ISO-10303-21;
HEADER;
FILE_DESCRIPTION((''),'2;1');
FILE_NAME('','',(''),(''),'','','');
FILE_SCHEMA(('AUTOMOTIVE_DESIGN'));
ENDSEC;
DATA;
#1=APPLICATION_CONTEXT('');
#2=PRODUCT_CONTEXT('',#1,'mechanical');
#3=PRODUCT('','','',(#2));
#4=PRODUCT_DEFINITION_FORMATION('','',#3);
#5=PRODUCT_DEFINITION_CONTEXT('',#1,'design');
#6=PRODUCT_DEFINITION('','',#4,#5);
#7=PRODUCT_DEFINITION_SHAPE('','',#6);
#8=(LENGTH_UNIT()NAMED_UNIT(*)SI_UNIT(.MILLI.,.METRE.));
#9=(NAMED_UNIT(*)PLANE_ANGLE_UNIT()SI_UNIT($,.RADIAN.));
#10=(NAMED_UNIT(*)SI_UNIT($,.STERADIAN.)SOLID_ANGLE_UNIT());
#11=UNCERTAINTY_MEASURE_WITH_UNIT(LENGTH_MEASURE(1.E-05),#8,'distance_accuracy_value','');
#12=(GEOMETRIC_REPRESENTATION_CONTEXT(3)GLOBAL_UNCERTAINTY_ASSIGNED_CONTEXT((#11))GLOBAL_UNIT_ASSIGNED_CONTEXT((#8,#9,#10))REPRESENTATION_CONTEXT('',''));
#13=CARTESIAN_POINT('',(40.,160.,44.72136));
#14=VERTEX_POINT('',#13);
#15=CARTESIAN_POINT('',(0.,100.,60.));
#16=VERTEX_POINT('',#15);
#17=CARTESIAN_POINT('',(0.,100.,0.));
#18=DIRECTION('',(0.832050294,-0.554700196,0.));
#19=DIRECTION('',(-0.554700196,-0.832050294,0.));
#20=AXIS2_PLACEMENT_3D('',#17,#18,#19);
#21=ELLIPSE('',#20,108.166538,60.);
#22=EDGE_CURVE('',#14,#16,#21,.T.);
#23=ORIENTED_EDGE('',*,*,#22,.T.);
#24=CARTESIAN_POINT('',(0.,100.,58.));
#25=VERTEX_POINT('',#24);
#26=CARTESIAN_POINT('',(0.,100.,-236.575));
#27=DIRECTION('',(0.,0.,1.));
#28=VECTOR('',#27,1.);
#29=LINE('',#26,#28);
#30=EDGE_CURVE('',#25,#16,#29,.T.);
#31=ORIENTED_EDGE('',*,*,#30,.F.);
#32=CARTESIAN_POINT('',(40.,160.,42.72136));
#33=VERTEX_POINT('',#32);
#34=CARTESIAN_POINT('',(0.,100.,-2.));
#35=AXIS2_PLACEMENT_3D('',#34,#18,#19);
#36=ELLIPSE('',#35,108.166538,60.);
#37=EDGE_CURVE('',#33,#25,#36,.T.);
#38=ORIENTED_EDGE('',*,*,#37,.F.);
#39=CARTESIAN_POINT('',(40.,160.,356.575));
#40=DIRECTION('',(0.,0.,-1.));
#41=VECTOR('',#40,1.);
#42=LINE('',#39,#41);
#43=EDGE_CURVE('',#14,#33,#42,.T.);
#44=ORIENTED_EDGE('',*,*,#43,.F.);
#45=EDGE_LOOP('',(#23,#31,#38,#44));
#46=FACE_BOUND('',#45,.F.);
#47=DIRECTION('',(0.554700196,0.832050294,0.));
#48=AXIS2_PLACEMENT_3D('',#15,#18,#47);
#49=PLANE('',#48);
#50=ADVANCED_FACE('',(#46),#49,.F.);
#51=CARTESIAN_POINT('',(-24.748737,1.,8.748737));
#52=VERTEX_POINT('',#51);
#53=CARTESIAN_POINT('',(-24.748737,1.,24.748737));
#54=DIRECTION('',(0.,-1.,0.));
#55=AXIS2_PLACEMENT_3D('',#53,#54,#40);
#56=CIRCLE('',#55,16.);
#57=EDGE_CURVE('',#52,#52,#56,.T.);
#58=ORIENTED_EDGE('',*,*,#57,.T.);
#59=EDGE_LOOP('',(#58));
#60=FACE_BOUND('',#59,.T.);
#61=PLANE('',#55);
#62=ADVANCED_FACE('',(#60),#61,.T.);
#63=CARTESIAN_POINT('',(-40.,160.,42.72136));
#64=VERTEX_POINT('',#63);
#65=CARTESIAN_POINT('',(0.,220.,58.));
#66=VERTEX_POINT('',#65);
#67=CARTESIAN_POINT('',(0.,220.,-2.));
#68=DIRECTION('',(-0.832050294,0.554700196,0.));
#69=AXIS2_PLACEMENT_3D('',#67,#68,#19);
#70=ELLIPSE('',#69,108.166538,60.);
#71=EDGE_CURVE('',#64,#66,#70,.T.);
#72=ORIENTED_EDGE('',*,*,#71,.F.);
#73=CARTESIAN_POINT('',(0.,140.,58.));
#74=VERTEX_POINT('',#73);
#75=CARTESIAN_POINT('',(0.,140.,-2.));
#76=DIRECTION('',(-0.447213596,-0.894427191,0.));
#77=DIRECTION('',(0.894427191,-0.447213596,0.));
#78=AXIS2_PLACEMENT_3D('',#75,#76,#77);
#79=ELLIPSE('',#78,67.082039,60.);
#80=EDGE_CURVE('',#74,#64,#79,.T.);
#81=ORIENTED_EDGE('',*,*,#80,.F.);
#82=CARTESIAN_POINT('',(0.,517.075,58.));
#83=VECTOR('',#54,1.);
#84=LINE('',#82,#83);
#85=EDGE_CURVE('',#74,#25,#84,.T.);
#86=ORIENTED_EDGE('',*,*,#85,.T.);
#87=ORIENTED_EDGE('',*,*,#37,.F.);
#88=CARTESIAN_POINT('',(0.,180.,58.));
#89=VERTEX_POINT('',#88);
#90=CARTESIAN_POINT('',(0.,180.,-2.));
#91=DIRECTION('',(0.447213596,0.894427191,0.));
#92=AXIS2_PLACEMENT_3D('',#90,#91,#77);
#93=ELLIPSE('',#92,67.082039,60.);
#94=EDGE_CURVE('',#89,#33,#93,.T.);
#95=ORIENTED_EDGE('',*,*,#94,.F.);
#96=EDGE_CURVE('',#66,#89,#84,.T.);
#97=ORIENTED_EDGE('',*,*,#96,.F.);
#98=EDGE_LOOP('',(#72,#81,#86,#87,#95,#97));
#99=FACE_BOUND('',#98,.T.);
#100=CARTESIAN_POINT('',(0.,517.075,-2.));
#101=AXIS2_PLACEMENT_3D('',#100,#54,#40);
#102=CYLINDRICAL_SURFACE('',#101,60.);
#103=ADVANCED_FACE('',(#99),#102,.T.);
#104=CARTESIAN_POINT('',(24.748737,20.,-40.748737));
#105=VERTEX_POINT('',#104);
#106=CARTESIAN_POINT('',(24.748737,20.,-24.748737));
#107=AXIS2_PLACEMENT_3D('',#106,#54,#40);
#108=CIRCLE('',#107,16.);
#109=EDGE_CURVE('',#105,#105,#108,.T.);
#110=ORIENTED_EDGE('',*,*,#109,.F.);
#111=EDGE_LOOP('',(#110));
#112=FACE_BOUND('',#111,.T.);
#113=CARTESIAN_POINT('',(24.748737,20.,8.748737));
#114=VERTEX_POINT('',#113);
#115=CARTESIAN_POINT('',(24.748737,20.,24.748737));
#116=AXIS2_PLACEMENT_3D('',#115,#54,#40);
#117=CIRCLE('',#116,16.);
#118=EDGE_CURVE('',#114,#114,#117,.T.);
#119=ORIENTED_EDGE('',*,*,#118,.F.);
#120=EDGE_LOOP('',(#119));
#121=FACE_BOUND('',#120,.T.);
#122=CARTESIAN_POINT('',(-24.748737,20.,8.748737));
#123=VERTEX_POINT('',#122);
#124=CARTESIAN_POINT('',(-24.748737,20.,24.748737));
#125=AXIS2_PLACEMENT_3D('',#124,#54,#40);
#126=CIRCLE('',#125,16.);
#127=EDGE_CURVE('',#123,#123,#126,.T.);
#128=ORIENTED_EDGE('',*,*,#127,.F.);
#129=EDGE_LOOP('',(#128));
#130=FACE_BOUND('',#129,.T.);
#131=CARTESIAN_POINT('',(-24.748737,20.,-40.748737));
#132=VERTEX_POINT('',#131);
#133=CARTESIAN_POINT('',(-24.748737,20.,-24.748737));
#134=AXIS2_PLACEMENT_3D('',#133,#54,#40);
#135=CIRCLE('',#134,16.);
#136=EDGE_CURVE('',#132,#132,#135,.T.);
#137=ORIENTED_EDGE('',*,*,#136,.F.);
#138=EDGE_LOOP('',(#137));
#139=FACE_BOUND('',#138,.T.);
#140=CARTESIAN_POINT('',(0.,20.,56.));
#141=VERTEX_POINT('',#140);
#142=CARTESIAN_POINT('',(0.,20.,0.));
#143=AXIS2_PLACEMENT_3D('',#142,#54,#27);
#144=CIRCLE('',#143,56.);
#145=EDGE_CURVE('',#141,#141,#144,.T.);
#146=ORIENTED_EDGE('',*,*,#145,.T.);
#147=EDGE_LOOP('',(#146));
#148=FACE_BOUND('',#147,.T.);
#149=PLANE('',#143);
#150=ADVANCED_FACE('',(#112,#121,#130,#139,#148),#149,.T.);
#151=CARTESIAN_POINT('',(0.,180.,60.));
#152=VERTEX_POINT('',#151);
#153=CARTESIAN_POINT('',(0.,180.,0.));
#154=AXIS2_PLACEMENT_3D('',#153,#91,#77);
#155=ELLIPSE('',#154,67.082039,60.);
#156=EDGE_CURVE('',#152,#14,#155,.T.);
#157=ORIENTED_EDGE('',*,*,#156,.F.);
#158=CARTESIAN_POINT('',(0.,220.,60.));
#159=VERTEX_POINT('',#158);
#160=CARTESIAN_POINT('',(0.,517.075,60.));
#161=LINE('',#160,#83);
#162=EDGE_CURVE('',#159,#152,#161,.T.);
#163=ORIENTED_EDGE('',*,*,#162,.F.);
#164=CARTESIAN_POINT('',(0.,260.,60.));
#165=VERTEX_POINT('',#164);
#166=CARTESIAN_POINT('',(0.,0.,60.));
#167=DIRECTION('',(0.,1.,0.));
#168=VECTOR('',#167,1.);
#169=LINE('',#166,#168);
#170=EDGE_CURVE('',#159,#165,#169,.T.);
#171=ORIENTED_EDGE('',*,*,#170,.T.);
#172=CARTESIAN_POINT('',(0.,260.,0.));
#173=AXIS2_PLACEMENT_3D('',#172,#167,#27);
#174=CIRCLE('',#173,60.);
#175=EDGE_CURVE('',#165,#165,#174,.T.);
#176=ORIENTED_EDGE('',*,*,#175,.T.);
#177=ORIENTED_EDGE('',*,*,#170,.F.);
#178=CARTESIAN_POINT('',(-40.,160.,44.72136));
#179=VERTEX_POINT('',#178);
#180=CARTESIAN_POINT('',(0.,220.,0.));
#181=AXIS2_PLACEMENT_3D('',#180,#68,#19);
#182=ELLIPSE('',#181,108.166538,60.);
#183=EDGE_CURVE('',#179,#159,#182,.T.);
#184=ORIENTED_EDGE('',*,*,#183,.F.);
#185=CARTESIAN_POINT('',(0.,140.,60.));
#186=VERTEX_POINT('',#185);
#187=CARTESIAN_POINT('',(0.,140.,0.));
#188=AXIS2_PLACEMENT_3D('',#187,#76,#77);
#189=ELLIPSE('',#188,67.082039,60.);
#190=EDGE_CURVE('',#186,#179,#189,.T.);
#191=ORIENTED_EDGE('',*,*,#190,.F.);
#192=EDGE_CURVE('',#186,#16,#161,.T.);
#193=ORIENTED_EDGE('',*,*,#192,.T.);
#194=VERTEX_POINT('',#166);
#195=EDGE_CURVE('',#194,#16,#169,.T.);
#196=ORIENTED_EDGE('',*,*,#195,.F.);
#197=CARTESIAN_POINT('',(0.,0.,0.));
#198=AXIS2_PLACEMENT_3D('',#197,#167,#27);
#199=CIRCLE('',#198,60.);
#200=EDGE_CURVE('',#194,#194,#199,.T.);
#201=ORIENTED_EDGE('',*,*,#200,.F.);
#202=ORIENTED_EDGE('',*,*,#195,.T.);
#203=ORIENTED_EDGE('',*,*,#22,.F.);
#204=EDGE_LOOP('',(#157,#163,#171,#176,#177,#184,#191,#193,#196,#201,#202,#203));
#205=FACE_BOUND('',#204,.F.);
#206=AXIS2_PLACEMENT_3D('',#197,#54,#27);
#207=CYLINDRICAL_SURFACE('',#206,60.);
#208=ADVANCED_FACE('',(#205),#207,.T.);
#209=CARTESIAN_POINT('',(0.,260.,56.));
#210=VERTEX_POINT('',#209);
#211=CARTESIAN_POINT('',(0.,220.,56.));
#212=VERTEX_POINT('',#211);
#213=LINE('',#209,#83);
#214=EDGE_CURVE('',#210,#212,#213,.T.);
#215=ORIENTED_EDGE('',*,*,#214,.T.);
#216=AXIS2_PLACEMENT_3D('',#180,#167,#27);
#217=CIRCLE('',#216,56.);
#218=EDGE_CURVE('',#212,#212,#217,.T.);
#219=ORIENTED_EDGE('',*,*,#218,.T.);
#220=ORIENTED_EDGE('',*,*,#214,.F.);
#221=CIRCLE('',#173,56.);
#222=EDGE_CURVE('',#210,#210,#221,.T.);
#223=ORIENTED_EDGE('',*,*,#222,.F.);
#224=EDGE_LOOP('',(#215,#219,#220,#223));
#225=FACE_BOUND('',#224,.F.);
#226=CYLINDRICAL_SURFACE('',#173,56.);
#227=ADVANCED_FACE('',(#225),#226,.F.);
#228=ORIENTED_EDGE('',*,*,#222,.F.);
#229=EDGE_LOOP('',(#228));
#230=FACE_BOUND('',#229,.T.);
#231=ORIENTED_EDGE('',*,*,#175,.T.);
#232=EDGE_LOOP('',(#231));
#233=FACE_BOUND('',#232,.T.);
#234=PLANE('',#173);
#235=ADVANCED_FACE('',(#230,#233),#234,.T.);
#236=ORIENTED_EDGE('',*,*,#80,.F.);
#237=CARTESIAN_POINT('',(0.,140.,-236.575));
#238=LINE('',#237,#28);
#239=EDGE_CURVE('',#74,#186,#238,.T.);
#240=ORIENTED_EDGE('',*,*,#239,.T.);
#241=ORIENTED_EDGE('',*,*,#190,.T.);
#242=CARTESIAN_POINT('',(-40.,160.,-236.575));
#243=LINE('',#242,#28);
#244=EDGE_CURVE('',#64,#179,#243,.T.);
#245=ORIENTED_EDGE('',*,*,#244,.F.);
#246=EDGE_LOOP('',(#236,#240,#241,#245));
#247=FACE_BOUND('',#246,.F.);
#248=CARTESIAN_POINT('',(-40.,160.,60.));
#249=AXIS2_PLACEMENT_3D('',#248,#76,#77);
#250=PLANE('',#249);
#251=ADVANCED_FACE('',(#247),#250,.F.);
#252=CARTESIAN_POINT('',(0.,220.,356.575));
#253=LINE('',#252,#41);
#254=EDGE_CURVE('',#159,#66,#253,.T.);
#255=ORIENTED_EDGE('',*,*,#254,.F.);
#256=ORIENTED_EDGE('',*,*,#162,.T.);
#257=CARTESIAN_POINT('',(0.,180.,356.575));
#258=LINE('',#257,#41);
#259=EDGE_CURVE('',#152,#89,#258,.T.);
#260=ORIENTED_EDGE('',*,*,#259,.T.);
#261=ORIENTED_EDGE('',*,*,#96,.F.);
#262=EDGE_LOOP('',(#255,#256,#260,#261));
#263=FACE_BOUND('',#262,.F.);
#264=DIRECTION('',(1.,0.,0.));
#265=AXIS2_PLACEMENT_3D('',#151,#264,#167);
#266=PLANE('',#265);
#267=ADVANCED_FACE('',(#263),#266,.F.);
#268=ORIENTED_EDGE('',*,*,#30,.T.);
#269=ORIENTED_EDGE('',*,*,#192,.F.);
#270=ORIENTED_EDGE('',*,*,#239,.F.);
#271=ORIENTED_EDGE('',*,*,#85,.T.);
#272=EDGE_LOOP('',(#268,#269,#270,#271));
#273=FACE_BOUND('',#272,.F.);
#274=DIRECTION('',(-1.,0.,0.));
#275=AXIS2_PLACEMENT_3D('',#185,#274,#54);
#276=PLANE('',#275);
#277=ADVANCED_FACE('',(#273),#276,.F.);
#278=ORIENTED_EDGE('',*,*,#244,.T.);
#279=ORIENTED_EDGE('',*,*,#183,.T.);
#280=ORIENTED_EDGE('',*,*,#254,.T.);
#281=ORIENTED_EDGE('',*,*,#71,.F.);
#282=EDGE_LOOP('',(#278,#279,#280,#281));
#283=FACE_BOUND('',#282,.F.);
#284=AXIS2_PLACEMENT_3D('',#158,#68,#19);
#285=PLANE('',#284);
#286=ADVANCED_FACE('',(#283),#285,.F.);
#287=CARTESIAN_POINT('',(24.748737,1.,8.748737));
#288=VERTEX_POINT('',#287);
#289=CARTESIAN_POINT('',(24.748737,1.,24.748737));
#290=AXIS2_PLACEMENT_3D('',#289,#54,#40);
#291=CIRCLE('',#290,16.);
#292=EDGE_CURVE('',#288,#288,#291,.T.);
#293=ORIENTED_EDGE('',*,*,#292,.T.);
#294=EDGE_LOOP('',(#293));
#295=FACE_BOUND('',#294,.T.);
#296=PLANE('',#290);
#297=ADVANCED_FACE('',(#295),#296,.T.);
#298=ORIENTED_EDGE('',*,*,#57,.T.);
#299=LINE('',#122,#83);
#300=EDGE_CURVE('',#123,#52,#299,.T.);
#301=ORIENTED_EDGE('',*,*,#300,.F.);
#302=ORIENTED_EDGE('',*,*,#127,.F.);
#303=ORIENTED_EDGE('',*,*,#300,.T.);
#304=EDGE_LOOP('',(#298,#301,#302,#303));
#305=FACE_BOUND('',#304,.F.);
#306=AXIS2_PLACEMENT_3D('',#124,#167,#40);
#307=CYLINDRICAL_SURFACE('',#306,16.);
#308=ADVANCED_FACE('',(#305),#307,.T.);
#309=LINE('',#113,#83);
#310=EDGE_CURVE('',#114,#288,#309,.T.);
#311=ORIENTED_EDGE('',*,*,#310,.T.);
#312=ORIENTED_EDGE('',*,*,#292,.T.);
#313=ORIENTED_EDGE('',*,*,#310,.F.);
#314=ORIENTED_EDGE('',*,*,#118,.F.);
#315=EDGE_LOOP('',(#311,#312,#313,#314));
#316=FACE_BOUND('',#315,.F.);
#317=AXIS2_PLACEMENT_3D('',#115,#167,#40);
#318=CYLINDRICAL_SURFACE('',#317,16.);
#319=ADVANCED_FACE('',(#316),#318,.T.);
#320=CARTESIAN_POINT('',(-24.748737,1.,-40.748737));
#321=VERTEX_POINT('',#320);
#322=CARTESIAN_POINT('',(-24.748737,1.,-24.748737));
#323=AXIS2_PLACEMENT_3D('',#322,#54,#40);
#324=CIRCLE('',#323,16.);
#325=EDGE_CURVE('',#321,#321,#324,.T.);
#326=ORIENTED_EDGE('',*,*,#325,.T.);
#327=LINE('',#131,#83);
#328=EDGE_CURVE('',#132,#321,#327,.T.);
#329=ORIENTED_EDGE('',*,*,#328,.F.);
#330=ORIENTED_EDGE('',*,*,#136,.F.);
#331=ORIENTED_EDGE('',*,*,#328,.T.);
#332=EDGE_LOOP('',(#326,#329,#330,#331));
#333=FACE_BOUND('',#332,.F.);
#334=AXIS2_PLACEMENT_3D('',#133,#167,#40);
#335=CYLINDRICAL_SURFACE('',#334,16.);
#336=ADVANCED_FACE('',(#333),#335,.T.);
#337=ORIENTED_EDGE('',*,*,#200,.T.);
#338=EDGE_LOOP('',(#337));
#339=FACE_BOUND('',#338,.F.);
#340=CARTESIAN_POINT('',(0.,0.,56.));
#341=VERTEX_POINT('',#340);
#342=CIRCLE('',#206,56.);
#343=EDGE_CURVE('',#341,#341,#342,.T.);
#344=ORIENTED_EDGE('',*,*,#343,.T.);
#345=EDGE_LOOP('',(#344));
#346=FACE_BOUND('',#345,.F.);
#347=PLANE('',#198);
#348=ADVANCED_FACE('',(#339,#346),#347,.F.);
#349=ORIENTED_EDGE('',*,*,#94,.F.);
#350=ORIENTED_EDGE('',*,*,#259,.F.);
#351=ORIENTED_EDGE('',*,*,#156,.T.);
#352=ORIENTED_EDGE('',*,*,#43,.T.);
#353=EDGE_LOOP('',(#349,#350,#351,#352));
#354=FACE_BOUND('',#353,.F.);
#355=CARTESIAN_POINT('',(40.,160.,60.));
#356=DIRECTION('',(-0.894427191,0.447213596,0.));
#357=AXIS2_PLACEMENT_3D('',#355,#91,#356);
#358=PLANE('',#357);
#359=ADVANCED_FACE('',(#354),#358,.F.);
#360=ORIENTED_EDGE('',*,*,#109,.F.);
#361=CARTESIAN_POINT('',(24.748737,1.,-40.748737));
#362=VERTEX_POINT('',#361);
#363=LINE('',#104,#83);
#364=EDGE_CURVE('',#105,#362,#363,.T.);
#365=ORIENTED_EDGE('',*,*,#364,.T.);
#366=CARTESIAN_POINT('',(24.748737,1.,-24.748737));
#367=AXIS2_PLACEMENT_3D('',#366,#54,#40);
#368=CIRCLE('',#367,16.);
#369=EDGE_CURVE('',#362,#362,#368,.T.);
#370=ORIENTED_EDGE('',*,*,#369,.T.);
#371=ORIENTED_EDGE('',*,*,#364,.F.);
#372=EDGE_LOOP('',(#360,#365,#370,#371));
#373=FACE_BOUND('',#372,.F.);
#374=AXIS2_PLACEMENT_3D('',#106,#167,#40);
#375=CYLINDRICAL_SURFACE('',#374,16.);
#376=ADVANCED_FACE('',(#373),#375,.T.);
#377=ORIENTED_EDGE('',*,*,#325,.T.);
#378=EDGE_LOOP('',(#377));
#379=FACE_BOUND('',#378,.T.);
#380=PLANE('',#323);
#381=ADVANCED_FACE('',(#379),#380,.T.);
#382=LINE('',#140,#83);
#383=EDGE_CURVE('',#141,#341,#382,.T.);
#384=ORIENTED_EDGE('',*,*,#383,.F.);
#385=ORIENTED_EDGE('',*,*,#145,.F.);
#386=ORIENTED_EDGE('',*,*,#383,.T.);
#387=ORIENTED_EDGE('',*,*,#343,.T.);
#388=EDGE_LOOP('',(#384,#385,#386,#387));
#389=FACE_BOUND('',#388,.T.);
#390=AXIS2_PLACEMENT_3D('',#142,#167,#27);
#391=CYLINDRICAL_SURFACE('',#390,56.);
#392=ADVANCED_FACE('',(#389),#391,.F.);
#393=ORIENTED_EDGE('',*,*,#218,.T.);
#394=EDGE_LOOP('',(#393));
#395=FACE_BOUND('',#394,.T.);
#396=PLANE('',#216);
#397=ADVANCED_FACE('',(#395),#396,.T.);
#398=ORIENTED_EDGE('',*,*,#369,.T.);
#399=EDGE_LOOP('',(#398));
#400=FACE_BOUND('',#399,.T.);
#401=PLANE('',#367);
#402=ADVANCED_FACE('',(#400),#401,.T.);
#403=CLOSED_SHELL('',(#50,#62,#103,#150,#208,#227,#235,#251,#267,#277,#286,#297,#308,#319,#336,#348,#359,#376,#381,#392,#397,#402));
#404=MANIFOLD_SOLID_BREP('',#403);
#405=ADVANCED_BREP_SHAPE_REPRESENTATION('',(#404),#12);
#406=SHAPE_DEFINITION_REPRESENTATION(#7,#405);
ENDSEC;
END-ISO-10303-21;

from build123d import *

# Parameters (mm, degrees)
SKETCH1_R                   = 60
MAIN_EXTRUDE_DEPTH          = 260
SKETCH2_R                   = 56
HOLE_FOR_BLADE_CASING_DEPTH = 40
HOLE_START                  = -20
SKETCH3_R                   = 56
HOLE_TO_HIDE_LEGS_DEPTH     = 20
LIGHTNING_BOLT_REACH        = 296.575
LIGHTNING_BOLT_START_RADIUS = 60
LIGHTNING_BOLT_END_RADIUS   = 60
SKETCH5_R                   = 16
LEGS_DEPTH                  = 19


with BuildPart() as part:
    # Sketch1 → Main Extrude (new body)
    with BuildSketch(Plane(origin=(0, 0, 0), x_dir=(1, 0, 0), z_dir=(0, 1, 0))):
        with Locations(Location((0, 0, 0), (0, 0, 270))):
            Circle(SKETCH1_R)
    extrude(amount=MAIN_EXTRUDE_DEPTH)

    # Sketch2 → Hole for Blade Casing (cut)
    with BuildSketch(Plane(origin=(0, 260, 0), x_dir=(1, 0, 0), z_dir=(0, 1, 0))):
        with Locations(Location((0, 0, 0), (0, 0, 270))):
            Circle(SKETCH2_R)
    extrude(amount=-HOLE_FOR_BLADE_CASING_DEPTH, mode=Mode.SUBTRACT)

    # Sketch3 → Hole to Hide Legs (cut)
    with BuildSketch(Plane.XZ.offset(HOLE_START)):
        with Locations(Location((0, 0, 0), (0, 0, 90))):
            Circle(SKETCH3_R)
    extrude(amount=HOLE_TO_HIDE_LEGS_DEPTH, mode=Mode.SUBTRACT)

    # Lightning Bolt: from a cylinder face, 296.575 long prism both ways, kept between that surface and its translate by the depth
    lightning_bolt_start = Plane(origin=(0, 160, 0), z_dir=(0, -1, 0)) * Cylinder(LIGHTNING_BOLT_START_RADIUS, 714.15, mode=Mode.PRIVATE)
    lightning_bolt_end = Plane(origin=(0, 160, -2), z_dir=(0, -1, 0)) * Cylinder(LIGHTNING_BOLT_END_RADIUS, 714.15, mode=Mode.PRIVATE)
    # Sketch4 → Lightning Bolt (cut, from a surface)
    with BuildSketch(Plane.XY.offset(60), mode=Mode.PRIVATE) as lightning_bolt_sk1:
        Polygon((0, 220), (-40, 160), (0, 140), (0, 100), (40, 160), (0, 180), align=None)
    lightning_bolt_tool1 = extrude(lightning_bolt_sk1.sketch, amount=LIGHTNING_BOLT_REACH, both=True, mode=Mode.PRIVATE)
    add(((lightning_bolt_tool1 & lightning_bolt_start) - lightning_bolt_end).solids().sort_by_distance((0, 160, 51.36068))[0], mode=Mode.SUBTRACT)

    # Sketch5 → Legs (add)
    with BuildSketch(Plane.XZ.offset(-20)):
        with Locations(Location((-24.748737342, 24.748737342, 0), (0, 0, 270))):
            Circle(SKETCH5_R)
        with Locations(Location((24.748737342, 24.748737342, 0), (0, 0, 270))):
            Circle(SKETCH5_R)
        with Locations(Location((24.748737342, -24.748737342, 0), (0, 0, 270))):
            Circle(SKETCH5_R)
        with Locations(Location((-24.748737342, -24.748737342, 0), (0, 0, 270))):
            Circle(SKETCH5_R)
    extrude(amount=LEGS_DEPTH)


solid = part.part
